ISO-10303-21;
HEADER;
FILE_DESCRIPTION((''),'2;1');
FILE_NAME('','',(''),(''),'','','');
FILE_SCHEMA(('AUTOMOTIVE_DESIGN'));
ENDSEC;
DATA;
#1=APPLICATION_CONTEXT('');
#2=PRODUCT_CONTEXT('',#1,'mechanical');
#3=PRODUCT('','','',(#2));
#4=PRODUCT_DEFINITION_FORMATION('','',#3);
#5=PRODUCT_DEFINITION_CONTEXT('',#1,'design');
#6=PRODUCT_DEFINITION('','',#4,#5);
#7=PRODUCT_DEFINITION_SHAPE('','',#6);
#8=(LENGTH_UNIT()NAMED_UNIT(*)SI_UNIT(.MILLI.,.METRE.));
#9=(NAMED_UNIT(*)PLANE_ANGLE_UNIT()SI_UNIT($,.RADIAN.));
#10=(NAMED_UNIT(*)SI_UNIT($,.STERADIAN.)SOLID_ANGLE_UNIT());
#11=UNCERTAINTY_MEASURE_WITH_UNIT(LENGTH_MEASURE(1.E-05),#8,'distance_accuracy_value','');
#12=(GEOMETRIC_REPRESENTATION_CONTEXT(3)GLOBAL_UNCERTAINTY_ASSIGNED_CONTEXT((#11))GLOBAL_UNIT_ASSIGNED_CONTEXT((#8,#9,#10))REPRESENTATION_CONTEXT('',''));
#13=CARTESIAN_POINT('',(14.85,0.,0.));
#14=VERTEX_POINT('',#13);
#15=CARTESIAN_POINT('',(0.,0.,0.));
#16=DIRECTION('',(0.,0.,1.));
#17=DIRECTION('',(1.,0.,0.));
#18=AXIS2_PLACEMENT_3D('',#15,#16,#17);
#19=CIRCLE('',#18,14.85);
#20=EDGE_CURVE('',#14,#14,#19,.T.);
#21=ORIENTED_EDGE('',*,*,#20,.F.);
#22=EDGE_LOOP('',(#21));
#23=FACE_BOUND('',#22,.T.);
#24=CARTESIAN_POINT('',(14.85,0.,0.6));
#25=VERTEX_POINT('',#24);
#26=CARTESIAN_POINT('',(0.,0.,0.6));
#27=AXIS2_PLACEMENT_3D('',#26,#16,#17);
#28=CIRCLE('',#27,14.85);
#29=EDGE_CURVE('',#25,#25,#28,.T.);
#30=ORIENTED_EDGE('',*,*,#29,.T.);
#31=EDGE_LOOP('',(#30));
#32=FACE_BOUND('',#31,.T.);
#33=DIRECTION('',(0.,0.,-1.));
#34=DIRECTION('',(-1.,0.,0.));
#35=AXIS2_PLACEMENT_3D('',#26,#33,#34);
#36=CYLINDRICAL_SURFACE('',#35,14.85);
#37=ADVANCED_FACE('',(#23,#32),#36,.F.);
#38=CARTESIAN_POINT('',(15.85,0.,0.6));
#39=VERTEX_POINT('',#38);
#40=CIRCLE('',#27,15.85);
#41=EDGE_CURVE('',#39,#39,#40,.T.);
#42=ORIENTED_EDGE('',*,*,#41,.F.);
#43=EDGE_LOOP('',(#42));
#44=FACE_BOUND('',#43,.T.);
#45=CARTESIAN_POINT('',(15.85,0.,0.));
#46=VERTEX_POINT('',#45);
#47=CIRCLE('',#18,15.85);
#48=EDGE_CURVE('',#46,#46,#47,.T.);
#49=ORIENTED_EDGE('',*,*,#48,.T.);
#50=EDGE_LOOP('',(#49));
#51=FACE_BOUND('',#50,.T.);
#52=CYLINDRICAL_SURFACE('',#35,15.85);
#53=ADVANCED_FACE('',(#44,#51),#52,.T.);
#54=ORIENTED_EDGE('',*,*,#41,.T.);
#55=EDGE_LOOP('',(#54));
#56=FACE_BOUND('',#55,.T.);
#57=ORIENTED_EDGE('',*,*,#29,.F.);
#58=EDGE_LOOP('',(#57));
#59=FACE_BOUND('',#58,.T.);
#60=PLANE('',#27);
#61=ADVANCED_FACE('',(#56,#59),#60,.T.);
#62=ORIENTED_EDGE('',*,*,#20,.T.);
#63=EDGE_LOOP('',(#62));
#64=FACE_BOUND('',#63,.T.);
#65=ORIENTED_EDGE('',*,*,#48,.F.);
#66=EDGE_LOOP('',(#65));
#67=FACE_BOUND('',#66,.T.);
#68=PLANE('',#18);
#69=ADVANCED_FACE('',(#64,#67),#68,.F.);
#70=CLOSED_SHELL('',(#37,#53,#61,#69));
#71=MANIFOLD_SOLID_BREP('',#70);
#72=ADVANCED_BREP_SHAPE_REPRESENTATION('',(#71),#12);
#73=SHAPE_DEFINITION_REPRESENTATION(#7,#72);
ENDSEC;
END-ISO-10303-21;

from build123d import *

# Parameters (mm, degrees)
IZIM1_R                     = 15.85
IZIM1_R_2                   = 14.85
Y_KSEKLIK_EKSTR_ZYON1_DEPTH = 0.6


with BuildPart() as part:
    # Çizim1 → Yükseklik-Ekstrüzyon1 (new body)
    with BuildSketch(Plane.XY):
        Circle(IZIM1_R)
        Circle(IZIM1_R_2, mode=Mode.SUBTRACT)
    extrude(amount=Y_KSEKLIK_EKSTR_ZYON1_DEPTH)


solid = part.part
